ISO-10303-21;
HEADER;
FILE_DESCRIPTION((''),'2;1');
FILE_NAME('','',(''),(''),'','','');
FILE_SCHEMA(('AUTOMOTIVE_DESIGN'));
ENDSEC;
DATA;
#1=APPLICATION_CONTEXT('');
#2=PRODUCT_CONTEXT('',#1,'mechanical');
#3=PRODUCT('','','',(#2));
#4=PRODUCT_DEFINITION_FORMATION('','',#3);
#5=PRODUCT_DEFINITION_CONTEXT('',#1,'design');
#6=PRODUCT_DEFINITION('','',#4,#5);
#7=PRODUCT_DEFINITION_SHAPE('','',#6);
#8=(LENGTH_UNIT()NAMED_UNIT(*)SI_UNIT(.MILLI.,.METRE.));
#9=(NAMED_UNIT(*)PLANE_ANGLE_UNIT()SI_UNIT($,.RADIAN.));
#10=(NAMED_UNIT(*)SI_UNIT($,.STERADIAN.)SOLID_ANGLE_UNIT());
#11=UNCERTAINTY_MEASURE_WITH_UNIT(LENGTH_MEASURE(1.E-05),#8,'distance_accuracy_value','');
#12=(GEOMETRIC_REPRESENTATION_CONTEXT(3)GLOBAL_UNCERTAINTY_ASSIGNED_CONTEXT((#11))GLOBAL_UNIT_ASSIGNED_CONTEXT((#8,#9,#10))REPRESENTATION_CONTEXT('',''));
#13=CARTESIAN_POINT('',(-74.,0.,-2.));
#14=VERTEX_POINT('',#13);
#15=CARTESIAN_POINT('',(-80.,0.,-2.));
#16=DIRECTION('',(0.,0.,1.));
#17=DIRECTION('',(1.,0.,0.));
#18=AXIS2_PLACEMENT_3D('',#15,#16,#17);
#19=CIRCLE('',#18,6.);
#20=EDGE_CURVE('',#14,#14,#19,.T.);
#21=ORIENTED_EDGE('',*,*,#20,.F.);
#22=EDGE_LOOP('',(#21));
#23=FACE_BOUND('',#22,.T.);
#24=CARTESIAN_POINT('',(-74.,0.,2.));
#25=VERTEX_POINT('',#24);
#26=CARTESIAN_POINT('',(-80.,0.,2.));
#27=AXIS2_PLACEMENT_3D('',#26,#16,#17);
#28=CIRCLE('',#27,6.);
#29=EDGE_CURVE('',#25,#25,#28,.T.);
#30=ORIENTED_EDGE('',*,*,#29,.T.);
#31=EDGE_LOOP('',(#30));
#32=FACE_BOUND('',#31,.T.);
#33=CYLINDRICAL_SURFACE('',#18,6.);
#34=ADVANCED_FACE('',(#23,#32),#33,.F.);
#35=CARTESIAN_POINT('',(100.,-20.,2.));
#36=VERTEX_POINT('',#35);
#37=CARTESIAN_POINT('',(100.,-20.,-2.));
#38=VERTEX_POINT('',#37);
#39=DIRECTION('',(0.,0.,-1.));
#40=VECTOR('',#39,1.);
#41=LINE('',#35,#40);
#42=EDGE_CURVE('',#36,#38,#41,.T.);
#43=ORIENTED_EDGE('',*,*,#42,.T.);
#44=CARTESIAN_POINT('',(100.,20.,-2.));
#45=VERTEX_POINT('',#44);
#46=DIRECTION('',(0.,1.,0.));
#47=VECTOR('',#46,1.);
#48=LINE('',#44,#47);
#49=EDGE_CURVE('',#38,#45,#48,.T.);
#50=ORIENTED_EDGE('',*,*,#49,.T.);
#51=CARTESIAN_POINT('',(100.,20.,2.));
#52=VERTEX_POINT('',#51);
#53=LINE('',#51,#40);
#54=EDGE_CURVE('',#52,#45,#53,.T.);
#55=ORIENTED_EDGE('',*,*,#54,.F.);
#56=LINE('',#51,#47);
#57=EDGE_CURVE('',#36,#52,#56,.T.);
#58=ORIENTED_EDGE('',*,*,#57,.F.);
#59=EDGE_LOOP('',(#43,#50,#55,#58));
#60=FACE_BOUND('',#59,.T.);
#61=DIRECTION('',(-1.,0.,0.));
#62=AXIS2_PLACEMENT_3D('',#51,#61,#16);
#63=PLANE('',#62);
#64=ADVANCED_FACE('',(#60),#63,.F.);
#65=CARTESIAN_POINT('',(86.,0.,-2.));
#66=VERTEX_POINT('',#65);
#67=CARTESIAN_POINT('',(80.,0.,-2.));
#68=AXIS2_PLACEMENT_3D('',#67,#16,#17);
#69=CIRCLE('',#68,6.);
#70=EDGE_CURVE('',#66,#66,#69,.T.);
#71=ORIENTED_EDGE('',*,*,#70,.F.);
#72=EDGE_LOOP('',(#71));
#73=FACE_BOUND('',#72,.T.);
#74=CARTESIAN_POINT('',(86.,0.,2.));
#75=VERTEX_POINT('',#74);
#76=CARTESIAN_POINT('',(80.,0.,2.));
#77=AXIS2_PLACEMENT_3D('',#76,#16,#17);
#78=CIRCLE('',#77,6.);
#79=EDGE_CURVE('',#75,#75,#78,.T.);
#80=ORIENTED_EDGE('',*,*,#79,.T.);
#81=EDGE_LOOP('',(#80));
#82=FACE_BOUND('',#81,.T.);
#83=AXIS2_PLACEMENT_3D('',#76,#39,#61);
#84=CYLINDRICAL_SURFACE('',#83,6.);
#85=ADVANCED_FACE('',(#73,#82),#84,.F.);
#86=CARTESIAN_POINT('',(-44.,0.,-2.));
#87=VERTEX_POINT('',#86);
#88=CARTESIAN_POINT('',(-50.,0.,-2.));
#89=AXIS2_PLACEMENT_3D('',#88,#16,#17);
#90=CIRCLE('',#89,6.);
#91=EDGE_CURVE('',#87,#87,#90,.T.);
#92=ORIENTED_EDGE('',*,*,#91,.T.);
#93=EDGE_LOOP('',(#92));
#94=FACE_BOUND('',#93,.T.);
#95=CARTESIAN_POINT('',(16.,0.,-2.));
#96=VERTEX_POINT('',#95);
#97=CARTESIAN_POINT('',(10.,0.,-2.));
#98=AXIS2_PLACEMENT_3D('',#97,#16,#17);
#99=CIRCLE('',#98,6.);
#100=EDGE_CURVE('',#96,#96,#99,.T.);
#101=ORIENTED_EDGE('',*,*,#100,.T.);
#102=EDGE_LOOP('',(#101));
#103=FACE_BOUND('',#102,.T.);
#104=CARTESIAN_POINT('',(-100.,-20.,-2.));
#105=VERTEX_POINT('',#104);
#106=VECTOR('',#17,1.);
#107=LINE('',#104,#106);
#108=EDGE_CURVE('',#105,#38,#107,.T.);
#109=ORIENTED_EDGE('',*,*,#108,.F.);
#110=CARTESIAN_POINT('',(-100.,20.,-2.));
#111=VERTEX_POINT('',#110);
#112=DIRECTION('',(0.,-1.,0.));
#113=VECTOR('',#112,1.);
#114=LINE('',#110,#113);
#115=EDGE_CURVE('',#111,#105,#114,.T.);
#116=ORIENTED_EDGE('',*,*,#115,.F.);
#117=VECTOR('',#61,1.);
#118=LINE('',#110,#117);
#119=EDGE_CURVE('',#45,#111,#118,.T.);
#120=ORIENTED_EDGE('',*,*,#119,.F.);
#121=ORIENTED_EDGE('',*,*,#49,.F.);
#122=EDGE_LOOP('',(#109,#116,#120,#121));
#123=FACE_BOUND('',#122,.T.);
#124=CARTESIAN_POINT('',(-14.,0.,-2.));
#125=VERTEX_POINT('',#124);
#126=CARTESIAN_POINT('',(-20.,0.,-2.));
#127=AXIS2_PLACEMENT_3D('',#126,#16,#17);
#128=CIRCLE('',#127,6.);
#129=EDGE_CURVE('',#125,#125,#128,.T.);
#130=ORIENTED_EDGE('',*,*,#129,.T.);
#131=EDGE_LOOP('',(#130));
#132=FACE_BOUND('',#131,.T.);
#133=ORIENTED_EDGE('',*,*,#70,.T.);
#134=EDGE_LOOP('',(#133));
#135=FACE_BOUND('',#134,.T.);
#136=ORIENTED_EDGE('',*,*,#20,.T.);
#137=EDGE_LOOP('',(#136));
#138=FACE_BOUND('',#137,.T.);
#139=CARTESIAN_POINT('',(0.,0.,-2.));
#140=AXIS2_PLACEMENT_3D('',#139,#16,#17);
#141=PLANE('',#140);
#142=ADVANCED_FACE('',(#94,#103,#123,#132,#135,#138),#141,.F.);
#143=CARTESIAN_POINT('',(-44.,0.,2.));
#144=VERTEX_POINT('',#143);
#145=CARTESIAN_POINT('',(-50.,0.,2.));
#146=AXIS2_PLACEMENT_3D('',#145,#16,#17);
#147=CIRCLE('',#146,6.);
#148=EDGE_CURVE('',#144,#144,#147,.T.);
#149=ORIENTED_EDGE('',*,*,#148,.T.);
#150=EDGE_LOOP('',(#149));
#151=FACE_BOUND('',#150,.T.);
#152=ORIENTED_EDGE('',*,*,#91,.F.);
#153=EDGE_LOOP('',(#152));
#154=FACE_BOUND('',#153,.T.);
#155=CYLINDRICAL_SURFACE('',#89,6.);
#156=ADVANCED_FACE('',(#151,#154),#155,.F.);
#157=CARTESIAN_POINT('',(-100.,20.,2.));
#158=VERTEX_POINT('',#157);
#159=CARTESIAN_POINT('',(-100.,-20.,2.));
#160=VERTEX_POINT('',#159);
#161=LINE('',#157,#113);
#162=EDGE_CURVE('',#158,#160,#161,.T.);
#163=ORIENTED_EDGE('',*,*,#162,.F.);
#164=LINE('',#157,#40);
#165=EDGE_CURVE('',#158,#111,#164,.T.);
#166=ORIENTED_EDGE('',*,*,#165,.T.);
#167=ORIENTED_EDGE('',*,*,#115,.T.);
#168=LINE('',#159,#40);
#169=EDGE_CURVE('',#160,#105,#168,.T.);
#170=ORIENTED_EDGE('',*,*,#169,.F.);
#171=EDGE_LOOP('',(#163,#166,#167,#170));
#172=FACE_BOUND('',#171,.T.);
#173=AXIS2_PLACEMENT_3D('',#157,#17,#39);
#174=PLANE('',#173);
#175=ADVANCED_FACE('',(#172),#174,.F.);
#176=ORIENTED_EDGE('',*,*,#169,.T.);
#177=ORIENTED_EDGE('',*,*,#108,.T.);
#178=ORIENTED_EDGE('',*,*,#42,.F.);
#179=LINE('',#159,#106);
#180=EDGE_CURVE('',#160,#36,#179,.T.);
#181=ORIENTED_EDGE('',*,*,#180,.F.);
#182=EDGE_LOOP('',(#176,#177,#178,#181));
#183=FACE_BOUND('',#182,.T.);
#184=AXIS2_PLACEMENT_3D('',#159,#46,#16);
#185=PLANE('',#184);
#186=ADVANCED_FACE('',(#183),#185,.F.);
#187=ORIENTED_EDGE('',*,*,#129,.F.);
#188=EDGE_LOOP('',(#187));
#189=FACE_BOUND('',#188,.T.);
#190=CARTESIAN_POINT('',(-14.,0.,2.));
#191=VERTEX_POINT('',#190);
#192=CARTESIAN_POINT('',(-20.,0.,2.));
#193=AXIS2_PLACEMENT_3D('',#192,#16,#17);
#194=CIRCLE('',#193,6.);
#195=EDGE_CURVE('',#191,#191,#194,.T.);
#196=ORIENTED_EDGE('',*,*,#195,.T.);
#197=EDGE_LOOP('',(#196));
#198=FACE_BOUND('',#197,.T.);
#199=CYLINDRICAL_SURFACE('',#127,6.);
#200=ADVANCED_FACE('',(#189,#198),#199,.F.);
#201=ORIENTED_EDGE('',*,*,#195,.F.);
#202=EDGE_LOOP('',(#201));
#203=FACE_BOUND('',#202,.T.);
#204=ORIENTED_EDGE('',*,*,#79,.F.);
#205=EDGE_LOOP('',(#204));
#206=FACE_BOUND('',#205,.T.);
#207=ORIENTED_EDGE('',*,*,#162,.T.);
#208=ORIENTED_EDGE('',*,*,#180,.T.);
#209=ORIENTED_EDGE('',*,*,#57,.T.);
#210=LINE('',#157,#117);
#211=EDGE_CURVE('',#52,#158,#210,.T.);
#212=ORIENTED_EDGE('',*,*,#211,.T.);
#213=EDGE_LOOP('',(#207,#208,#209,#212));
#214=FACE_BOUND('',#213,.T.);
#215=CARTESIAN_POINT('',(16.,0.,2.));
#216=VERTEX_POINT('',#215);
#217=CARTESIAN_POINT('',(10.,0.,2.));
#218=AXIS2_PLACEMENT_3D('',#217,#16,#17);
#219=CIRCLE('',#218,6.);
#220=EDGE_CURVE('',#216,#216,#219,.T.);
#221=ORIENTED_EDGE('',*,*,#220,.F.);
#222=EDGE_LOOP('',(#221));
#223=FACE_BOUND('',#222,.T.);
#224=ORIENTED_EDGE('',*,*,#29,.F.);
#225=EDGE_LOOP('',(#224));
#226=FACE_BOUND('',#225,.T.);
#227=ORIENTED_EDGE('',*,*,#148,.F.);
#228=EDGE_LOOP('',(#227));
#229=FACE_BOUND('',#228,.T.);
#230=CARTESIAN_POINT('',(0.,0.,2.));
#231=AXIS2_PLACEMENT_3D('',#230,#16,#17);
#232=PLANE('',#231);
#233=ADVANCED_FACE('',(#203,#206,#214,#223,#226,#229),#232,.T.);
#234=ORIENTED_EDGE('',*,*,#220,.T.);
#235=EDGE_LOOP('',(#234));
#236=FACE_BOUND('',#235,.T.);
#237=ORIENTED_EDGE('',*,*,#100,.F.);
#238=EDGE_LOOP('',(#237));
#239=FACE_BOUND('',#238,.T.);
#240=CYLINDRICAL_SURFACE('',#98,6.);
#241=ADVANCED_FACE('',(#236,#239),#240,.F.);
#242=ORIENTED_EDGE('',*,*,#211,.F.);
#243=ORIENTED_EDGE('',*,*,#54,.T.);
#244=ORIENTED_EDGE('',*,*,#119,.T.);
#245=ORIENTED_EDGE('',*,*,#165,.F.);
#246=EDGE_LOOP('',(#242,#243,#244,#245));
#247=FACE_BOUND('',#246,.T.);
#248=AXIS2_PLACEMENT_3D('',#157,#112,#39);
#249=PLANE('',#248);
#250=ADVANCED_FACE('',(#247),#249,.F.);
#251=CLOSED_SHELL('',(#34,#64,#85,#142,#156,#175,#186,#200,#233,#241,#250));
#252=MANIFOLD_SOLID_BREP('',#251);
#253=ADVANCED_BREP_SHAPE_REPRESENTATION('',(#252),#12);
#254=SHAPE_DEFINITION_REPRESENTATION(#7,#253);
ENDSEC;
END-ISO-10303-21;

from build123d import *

# Parameters (mm, degrees)
SKETCH1_W           = 200
SKETCH1_H           = 40
SKETCH1_R           = 6
BOSS_EXTRUDE1_DEPTH = 2
SKETCH2_R           = 6
CUT_EXTRUDE1_DEPTH  = 5
LPATTERN1_COUNT     = 4
LPATTERN1_PITCH     = 30


with BuildPart() as part:
    # Sketch1 → Boss-Extrude1 (new body, symmetric)
    with BuildSketch(Plane.XY):
        Rectangle(SKETCH1_W, SKETCH1_H)
        with Locations((80, 0)):
            Circle(SKETCH1_R, mode=Mode.SUBTRACT)
    extrude(amount=BOSS_EXTRUDE1_DEPTH, both=True)

    # Sketch2 → Cut-Extrude1 (cut, through all)
    with BuildSketch(Plane.XY.offset(2)):
        with Locations((-80, 0)):
            Circle(SKETCH2_R)
    cut_extrude1 = extrude(amount=-CUT_EXTRUDE1_DEPTH, mode=Mode.SUBTRACT)

    # LPattern1: Cut-Extrude1 ×4
    with Locations(*[(i * LPATTERN1_PITCH, 0, 0) for i in range(1, LPATTERN1_COUNT)]):
        add(cut_extrude1, mode=Mode.SUBTRACT)


solid = part.part
